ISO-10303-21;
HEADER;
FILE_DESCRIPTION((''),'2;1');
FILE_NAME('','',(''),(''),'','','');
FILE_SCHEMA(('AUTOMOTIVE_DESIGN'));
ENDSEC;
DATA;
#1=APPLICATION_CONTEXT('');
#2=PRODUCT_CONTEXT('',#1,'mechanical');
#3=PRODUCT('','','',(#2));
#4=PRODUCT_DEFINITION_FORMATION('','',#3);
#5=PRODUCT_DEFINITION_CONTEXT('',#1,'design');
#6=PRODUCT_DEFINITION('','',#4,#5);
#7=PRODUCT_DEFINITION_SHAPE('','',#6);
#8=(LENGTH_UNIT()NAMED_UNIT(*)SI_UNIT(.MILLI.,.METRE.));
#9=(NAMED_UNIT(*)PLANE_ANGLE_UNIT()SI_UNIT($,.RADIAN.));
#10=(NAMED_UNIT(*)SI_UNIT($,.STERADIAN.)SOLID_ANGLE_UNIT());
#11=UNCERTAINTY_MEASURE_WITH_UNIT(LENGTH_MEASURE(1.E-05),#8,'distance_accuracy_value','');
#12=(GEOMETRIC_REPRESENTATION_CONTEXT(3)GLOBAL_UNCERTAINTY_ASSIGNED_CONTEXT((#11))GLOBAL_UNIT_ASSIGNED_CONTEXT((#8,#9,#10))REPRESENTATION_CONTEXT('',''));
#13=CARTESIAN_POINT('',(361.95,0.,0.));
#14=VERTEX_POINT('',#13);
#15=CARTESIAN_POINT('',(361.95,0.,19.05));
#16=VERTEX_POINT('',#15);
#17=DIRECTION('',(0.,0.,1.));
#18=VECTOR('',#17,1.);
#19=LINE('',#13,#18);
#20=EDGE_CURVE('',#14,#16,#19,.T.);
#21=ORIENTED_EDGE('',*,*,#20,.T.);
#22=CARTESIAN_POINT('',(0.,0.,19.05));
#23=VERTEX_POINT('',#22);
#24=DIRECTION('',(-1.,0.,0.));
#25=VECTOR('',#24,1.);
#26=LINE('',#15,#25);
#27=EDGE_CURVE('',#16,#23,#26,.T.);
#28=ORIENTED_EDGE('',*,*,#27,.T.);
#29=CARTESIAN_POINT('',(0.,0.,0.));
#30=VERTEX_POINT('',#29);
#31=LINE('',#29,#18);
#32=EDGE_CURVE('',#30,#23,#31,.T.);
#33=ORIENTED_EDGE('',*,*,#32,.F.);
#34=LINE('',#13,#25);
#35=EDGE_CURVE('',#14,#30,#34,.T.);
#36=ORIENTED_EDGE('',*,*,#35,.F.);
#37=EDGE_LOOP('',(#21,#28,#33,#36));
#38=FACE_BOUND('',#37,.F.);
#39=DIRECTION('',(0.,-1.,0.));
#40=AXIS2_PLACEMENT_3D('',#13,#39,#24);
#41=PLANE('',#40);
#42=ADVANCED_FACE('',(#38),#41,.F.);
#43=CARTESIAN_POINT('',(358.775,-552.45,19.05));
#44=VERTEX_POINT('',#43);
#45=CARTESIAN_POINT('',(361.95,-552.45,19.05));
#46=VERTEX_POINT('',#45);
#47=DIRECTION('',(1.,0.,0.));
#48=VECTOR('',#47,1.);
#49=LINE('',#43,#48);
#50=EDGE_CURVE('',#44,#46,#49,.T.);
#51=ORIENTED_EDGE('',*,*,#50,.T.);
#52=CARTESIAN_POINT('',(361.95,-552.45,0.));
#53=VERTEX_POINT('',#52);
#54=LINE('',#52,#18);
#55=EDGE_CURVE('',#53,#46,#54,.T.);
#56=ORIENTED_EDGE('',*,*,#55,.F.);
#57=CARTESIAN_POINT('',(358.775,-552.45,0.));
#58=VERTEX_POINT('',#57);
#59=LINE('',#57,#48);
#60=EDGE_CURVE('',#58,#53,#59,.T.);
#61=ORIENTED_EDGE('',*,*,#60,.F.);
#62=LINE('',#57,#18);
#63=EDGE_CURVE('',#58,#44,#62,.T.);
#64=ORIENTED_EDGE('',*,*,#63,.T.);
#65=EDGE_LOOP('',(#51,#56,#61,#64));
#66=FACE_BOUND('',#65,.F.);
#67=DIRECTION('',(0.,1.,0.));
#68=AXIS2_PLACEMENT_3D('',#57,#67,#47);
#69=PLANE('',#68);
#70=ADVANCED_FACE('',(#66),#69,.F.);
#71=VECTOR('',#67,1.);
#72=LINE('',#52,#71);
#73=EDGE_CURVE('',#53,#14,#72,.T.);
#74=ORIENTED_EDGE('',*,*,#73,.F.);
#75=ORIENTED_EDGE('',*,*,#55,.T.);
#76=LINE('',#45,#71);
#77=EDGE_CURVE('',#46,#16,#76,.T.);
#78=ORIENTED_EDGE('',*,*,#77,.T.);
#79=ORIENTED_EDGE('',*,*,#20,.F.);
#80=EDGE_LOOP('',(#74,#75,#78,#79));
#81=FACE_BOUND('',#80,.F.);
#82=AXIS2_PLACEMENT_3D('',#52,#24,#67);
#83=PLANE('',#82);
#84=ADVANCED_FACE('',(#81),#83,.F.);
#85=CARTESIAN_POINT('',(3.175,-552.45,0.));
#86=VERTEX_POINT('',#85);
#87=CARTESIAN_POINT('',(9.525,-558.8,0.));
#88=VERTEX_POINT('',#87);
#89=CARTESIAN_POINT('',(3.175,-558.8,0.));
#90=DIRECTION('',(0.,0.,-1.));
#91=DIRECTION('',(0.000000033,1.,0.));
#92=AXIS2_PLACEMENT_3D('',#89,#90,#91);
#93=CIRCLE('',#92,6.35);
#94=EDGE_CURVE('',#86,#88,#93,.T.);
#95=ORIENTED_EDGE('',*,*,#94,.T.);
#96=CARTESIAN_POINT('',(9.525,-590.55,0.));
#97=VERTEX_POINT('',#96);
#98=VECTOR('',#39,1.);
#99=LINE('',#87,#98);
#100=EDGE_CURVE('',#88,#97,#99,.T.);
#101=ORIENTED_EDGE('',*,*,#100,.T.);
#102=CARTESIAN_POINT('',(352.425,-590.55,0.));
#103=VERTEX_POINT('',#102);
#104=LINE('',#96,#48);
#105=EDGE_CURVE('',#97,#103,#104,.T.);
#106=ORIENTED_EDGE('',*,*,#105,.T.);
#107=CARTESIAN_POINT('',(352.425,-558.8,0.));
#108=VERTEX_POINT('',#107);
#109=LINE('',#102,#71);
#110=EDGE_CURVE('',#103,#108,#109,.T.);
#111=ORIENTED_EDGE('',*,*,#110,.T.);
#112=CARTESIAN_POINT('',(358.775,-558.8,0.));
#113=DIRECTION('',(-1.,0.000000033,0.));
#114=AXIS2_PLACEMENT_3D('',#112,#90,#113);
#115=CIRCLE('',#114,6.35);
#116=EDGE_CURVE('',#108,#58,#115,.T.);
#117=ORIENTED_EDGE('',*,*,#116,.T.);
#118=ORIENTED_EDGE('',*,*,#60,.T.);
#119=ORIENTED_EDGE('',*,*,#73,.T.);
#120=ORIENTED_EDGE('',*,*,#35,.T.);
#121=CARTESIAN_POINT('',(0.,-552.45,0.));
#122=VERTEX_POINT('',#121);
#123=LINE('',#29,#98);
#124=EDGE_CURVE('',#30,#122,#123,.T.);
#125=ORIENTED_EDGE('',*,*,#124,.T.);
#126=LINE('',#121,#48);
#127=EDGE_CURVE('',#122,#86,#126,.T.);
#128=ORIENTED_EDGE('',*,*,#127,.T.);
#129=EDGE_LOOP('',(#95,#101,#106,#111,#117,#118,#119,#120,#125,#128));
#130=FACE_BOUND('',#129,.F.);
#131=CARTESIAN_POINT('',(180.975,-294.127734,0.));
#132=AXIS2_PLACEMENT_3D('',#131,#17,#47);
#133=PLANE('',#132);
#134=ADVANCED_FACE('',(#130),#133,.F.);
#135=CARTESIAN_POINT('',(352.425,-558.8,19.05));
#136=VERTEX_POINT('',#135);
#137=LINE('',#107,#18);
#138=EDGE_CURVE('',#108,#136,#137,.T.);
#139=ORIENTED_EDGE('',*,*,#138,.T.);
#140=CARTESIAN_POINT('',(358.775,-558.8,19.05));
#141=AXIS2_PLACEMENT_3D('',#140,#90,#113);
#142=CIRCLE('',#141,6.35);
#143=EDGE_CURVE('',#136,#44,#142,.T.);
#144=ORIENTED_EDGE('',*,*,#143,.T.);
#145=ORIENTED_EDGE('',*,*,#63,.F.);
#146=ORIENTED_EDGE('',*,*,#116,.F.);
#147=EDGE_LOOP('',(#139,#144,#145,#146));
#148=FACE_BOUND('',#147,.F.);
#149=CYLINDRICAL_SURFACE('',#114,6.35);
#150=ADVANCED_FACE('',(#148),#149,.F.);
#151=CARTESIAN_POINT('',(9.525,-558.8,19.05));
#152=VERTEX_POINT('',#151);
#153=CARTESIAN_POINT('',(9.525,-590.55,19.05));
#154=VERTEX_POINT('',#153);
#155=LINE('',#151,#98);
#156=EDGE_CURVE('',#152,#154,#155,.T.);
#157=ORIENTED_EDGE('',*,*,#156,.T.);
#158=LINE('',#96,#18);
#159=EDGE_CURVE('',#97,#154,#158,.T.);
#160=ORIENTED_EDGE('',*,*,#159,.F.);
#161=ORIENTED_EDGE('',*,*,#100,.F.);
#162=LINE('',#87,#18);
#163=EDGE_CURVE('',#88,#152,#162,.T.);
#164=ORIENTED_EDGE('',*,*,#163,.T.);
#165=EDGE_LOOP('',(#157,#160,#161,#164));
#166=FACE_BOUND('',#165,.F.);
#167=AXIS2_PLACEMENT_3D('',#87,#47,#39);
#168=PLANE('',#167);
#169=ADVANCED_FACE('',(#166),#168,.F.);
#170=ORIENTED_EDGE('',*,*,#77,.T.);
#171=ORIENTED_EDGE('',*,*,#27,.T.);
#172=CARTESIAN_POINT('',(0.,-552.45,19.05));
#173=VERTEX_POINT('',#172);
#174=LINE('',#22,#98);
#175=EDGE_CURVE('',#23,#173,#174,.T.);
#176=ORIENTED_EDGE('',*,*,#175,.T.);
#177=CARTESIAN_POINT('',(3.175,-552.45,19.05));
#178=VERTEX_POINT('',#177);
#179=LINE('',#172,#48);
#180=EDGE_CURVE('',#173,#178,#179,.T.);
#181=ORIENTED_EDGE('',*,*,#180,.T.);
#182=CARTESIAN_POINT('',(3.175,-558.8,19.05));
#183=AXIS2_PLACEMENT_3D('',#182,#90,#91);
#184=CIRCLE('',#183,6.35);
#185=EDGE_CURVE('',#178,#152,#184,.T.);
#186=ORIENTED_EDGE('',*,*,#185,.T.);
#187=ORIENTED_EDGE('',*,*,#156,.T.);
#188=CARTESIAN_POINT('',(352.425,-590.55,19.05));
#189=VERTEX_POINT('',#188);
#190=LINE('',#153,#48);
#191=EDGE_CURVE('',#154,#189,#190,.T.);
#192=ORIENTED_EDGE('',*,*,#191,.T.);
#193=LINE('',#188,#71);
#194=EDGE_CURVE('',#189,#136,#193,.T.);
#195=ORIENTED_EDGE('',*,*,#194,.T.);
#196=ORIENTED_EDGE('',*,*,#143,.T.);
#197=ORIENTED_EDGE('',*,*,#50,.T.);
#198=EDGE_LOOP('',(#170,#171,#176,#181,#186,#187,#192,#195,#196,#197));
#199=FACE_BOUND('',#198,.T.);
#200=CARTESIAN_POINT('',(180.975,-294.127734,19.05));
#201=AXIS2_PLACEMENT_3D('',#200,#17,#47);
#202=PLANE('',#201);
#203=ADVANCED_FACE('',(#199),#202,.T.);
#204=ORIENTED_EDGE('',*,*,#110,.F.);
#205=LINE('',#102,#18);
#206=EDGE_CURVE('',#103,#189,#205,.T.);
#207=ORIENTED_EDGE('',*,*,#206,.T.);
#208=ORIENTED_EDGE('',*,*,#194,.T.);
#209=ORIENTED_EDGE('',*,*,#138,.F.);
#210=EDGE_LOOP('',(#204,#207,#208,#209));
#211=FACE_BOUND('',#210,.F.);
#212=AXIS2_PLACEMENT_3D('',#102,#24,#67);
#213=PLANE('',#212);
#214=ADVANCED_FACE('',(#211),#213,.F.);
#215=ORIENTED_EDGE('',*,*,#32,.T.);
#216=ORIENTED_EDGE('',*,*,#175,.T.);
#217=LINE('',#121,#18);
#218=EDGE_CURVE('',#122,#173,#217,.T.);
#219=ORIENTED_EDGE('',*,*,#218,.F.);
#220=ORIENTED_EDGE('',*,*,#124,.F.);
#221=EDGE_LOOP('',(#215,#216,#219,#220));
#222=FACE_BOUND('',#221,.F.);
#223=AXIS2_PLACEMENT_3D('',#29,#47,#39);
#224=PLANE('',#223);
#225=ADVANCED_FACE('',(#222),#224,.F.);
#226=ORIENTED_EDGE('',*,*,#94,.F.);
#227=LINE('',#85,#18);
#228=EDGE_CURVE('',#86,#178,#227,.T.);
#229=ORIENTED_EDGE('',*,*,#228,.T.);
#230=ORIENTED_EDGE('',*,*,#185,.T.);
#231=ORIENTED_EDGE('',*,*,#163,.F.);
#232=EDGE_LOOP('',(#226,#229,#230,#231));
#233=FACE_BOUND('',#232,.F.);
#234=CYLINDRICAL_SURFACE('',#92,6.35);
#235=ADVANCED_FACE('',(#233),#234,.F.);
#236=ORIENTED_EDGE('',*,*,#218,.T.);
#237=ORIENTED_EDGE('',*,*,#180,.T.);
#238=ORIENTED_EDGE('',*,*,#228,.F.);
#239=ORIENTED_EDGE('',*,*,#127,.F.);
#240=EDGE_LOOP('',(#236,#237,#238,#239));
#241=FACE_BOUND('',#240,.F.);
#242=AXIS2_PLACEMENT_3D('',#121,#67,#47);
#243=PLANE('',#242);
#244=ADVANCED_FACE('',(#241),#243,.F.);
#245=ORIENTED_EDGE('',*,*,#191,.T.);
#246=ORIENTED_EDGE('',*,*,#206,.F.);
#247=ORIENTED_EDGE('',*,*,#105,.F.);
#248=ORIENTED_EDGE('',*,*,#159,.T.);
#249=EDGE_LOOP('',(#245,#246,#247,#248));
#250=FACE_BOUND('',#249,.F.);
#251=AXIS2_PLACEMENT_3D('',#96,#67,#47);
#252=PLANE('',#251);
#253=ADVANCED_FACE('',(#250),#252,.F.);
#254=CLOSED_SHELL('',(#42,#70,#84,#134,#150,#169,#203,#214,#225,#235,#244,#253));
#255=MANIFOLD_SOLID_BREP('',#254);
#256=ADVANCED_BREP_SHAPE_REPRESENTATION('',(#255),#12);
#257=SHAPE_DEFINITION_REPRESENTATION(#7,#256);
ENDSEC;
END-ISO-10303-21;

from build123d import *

# Parameters (mm, degrees)
F1_DEPTH = 19.05


with BuildPart() as f1:
    # F0 (on Top) → F1 (new body)
    with BuildSketch(Plane.XY):
        with BuildLine():
            Line((361.95, 0), (0, 0))
            Line((0, 0), (0, -552.45))
            Line((0, -552.45), (3.175, -552.45))
            ThreePointArc((3.175, -552.45), (7.665128, -554.309872), (9.525, -558.8))
            Line((9.525, -558.8), (9.525, -590.55))
            Line((9.525, -590.55), (352.425, -590.55))
            Line((352.425, -590.55), (352.425, -558.8))
            ThreePointArc((352.425, -558.8), (354.284872, -554.309872), (358.775, -552.45))
            Line((358.775, -552.45), (361.95, -552.45))
            Line((361.95, -552.45), (361.95, 0))
        make_face()
    extrude(amount=F1_DEPTH)


solid = f1.part
